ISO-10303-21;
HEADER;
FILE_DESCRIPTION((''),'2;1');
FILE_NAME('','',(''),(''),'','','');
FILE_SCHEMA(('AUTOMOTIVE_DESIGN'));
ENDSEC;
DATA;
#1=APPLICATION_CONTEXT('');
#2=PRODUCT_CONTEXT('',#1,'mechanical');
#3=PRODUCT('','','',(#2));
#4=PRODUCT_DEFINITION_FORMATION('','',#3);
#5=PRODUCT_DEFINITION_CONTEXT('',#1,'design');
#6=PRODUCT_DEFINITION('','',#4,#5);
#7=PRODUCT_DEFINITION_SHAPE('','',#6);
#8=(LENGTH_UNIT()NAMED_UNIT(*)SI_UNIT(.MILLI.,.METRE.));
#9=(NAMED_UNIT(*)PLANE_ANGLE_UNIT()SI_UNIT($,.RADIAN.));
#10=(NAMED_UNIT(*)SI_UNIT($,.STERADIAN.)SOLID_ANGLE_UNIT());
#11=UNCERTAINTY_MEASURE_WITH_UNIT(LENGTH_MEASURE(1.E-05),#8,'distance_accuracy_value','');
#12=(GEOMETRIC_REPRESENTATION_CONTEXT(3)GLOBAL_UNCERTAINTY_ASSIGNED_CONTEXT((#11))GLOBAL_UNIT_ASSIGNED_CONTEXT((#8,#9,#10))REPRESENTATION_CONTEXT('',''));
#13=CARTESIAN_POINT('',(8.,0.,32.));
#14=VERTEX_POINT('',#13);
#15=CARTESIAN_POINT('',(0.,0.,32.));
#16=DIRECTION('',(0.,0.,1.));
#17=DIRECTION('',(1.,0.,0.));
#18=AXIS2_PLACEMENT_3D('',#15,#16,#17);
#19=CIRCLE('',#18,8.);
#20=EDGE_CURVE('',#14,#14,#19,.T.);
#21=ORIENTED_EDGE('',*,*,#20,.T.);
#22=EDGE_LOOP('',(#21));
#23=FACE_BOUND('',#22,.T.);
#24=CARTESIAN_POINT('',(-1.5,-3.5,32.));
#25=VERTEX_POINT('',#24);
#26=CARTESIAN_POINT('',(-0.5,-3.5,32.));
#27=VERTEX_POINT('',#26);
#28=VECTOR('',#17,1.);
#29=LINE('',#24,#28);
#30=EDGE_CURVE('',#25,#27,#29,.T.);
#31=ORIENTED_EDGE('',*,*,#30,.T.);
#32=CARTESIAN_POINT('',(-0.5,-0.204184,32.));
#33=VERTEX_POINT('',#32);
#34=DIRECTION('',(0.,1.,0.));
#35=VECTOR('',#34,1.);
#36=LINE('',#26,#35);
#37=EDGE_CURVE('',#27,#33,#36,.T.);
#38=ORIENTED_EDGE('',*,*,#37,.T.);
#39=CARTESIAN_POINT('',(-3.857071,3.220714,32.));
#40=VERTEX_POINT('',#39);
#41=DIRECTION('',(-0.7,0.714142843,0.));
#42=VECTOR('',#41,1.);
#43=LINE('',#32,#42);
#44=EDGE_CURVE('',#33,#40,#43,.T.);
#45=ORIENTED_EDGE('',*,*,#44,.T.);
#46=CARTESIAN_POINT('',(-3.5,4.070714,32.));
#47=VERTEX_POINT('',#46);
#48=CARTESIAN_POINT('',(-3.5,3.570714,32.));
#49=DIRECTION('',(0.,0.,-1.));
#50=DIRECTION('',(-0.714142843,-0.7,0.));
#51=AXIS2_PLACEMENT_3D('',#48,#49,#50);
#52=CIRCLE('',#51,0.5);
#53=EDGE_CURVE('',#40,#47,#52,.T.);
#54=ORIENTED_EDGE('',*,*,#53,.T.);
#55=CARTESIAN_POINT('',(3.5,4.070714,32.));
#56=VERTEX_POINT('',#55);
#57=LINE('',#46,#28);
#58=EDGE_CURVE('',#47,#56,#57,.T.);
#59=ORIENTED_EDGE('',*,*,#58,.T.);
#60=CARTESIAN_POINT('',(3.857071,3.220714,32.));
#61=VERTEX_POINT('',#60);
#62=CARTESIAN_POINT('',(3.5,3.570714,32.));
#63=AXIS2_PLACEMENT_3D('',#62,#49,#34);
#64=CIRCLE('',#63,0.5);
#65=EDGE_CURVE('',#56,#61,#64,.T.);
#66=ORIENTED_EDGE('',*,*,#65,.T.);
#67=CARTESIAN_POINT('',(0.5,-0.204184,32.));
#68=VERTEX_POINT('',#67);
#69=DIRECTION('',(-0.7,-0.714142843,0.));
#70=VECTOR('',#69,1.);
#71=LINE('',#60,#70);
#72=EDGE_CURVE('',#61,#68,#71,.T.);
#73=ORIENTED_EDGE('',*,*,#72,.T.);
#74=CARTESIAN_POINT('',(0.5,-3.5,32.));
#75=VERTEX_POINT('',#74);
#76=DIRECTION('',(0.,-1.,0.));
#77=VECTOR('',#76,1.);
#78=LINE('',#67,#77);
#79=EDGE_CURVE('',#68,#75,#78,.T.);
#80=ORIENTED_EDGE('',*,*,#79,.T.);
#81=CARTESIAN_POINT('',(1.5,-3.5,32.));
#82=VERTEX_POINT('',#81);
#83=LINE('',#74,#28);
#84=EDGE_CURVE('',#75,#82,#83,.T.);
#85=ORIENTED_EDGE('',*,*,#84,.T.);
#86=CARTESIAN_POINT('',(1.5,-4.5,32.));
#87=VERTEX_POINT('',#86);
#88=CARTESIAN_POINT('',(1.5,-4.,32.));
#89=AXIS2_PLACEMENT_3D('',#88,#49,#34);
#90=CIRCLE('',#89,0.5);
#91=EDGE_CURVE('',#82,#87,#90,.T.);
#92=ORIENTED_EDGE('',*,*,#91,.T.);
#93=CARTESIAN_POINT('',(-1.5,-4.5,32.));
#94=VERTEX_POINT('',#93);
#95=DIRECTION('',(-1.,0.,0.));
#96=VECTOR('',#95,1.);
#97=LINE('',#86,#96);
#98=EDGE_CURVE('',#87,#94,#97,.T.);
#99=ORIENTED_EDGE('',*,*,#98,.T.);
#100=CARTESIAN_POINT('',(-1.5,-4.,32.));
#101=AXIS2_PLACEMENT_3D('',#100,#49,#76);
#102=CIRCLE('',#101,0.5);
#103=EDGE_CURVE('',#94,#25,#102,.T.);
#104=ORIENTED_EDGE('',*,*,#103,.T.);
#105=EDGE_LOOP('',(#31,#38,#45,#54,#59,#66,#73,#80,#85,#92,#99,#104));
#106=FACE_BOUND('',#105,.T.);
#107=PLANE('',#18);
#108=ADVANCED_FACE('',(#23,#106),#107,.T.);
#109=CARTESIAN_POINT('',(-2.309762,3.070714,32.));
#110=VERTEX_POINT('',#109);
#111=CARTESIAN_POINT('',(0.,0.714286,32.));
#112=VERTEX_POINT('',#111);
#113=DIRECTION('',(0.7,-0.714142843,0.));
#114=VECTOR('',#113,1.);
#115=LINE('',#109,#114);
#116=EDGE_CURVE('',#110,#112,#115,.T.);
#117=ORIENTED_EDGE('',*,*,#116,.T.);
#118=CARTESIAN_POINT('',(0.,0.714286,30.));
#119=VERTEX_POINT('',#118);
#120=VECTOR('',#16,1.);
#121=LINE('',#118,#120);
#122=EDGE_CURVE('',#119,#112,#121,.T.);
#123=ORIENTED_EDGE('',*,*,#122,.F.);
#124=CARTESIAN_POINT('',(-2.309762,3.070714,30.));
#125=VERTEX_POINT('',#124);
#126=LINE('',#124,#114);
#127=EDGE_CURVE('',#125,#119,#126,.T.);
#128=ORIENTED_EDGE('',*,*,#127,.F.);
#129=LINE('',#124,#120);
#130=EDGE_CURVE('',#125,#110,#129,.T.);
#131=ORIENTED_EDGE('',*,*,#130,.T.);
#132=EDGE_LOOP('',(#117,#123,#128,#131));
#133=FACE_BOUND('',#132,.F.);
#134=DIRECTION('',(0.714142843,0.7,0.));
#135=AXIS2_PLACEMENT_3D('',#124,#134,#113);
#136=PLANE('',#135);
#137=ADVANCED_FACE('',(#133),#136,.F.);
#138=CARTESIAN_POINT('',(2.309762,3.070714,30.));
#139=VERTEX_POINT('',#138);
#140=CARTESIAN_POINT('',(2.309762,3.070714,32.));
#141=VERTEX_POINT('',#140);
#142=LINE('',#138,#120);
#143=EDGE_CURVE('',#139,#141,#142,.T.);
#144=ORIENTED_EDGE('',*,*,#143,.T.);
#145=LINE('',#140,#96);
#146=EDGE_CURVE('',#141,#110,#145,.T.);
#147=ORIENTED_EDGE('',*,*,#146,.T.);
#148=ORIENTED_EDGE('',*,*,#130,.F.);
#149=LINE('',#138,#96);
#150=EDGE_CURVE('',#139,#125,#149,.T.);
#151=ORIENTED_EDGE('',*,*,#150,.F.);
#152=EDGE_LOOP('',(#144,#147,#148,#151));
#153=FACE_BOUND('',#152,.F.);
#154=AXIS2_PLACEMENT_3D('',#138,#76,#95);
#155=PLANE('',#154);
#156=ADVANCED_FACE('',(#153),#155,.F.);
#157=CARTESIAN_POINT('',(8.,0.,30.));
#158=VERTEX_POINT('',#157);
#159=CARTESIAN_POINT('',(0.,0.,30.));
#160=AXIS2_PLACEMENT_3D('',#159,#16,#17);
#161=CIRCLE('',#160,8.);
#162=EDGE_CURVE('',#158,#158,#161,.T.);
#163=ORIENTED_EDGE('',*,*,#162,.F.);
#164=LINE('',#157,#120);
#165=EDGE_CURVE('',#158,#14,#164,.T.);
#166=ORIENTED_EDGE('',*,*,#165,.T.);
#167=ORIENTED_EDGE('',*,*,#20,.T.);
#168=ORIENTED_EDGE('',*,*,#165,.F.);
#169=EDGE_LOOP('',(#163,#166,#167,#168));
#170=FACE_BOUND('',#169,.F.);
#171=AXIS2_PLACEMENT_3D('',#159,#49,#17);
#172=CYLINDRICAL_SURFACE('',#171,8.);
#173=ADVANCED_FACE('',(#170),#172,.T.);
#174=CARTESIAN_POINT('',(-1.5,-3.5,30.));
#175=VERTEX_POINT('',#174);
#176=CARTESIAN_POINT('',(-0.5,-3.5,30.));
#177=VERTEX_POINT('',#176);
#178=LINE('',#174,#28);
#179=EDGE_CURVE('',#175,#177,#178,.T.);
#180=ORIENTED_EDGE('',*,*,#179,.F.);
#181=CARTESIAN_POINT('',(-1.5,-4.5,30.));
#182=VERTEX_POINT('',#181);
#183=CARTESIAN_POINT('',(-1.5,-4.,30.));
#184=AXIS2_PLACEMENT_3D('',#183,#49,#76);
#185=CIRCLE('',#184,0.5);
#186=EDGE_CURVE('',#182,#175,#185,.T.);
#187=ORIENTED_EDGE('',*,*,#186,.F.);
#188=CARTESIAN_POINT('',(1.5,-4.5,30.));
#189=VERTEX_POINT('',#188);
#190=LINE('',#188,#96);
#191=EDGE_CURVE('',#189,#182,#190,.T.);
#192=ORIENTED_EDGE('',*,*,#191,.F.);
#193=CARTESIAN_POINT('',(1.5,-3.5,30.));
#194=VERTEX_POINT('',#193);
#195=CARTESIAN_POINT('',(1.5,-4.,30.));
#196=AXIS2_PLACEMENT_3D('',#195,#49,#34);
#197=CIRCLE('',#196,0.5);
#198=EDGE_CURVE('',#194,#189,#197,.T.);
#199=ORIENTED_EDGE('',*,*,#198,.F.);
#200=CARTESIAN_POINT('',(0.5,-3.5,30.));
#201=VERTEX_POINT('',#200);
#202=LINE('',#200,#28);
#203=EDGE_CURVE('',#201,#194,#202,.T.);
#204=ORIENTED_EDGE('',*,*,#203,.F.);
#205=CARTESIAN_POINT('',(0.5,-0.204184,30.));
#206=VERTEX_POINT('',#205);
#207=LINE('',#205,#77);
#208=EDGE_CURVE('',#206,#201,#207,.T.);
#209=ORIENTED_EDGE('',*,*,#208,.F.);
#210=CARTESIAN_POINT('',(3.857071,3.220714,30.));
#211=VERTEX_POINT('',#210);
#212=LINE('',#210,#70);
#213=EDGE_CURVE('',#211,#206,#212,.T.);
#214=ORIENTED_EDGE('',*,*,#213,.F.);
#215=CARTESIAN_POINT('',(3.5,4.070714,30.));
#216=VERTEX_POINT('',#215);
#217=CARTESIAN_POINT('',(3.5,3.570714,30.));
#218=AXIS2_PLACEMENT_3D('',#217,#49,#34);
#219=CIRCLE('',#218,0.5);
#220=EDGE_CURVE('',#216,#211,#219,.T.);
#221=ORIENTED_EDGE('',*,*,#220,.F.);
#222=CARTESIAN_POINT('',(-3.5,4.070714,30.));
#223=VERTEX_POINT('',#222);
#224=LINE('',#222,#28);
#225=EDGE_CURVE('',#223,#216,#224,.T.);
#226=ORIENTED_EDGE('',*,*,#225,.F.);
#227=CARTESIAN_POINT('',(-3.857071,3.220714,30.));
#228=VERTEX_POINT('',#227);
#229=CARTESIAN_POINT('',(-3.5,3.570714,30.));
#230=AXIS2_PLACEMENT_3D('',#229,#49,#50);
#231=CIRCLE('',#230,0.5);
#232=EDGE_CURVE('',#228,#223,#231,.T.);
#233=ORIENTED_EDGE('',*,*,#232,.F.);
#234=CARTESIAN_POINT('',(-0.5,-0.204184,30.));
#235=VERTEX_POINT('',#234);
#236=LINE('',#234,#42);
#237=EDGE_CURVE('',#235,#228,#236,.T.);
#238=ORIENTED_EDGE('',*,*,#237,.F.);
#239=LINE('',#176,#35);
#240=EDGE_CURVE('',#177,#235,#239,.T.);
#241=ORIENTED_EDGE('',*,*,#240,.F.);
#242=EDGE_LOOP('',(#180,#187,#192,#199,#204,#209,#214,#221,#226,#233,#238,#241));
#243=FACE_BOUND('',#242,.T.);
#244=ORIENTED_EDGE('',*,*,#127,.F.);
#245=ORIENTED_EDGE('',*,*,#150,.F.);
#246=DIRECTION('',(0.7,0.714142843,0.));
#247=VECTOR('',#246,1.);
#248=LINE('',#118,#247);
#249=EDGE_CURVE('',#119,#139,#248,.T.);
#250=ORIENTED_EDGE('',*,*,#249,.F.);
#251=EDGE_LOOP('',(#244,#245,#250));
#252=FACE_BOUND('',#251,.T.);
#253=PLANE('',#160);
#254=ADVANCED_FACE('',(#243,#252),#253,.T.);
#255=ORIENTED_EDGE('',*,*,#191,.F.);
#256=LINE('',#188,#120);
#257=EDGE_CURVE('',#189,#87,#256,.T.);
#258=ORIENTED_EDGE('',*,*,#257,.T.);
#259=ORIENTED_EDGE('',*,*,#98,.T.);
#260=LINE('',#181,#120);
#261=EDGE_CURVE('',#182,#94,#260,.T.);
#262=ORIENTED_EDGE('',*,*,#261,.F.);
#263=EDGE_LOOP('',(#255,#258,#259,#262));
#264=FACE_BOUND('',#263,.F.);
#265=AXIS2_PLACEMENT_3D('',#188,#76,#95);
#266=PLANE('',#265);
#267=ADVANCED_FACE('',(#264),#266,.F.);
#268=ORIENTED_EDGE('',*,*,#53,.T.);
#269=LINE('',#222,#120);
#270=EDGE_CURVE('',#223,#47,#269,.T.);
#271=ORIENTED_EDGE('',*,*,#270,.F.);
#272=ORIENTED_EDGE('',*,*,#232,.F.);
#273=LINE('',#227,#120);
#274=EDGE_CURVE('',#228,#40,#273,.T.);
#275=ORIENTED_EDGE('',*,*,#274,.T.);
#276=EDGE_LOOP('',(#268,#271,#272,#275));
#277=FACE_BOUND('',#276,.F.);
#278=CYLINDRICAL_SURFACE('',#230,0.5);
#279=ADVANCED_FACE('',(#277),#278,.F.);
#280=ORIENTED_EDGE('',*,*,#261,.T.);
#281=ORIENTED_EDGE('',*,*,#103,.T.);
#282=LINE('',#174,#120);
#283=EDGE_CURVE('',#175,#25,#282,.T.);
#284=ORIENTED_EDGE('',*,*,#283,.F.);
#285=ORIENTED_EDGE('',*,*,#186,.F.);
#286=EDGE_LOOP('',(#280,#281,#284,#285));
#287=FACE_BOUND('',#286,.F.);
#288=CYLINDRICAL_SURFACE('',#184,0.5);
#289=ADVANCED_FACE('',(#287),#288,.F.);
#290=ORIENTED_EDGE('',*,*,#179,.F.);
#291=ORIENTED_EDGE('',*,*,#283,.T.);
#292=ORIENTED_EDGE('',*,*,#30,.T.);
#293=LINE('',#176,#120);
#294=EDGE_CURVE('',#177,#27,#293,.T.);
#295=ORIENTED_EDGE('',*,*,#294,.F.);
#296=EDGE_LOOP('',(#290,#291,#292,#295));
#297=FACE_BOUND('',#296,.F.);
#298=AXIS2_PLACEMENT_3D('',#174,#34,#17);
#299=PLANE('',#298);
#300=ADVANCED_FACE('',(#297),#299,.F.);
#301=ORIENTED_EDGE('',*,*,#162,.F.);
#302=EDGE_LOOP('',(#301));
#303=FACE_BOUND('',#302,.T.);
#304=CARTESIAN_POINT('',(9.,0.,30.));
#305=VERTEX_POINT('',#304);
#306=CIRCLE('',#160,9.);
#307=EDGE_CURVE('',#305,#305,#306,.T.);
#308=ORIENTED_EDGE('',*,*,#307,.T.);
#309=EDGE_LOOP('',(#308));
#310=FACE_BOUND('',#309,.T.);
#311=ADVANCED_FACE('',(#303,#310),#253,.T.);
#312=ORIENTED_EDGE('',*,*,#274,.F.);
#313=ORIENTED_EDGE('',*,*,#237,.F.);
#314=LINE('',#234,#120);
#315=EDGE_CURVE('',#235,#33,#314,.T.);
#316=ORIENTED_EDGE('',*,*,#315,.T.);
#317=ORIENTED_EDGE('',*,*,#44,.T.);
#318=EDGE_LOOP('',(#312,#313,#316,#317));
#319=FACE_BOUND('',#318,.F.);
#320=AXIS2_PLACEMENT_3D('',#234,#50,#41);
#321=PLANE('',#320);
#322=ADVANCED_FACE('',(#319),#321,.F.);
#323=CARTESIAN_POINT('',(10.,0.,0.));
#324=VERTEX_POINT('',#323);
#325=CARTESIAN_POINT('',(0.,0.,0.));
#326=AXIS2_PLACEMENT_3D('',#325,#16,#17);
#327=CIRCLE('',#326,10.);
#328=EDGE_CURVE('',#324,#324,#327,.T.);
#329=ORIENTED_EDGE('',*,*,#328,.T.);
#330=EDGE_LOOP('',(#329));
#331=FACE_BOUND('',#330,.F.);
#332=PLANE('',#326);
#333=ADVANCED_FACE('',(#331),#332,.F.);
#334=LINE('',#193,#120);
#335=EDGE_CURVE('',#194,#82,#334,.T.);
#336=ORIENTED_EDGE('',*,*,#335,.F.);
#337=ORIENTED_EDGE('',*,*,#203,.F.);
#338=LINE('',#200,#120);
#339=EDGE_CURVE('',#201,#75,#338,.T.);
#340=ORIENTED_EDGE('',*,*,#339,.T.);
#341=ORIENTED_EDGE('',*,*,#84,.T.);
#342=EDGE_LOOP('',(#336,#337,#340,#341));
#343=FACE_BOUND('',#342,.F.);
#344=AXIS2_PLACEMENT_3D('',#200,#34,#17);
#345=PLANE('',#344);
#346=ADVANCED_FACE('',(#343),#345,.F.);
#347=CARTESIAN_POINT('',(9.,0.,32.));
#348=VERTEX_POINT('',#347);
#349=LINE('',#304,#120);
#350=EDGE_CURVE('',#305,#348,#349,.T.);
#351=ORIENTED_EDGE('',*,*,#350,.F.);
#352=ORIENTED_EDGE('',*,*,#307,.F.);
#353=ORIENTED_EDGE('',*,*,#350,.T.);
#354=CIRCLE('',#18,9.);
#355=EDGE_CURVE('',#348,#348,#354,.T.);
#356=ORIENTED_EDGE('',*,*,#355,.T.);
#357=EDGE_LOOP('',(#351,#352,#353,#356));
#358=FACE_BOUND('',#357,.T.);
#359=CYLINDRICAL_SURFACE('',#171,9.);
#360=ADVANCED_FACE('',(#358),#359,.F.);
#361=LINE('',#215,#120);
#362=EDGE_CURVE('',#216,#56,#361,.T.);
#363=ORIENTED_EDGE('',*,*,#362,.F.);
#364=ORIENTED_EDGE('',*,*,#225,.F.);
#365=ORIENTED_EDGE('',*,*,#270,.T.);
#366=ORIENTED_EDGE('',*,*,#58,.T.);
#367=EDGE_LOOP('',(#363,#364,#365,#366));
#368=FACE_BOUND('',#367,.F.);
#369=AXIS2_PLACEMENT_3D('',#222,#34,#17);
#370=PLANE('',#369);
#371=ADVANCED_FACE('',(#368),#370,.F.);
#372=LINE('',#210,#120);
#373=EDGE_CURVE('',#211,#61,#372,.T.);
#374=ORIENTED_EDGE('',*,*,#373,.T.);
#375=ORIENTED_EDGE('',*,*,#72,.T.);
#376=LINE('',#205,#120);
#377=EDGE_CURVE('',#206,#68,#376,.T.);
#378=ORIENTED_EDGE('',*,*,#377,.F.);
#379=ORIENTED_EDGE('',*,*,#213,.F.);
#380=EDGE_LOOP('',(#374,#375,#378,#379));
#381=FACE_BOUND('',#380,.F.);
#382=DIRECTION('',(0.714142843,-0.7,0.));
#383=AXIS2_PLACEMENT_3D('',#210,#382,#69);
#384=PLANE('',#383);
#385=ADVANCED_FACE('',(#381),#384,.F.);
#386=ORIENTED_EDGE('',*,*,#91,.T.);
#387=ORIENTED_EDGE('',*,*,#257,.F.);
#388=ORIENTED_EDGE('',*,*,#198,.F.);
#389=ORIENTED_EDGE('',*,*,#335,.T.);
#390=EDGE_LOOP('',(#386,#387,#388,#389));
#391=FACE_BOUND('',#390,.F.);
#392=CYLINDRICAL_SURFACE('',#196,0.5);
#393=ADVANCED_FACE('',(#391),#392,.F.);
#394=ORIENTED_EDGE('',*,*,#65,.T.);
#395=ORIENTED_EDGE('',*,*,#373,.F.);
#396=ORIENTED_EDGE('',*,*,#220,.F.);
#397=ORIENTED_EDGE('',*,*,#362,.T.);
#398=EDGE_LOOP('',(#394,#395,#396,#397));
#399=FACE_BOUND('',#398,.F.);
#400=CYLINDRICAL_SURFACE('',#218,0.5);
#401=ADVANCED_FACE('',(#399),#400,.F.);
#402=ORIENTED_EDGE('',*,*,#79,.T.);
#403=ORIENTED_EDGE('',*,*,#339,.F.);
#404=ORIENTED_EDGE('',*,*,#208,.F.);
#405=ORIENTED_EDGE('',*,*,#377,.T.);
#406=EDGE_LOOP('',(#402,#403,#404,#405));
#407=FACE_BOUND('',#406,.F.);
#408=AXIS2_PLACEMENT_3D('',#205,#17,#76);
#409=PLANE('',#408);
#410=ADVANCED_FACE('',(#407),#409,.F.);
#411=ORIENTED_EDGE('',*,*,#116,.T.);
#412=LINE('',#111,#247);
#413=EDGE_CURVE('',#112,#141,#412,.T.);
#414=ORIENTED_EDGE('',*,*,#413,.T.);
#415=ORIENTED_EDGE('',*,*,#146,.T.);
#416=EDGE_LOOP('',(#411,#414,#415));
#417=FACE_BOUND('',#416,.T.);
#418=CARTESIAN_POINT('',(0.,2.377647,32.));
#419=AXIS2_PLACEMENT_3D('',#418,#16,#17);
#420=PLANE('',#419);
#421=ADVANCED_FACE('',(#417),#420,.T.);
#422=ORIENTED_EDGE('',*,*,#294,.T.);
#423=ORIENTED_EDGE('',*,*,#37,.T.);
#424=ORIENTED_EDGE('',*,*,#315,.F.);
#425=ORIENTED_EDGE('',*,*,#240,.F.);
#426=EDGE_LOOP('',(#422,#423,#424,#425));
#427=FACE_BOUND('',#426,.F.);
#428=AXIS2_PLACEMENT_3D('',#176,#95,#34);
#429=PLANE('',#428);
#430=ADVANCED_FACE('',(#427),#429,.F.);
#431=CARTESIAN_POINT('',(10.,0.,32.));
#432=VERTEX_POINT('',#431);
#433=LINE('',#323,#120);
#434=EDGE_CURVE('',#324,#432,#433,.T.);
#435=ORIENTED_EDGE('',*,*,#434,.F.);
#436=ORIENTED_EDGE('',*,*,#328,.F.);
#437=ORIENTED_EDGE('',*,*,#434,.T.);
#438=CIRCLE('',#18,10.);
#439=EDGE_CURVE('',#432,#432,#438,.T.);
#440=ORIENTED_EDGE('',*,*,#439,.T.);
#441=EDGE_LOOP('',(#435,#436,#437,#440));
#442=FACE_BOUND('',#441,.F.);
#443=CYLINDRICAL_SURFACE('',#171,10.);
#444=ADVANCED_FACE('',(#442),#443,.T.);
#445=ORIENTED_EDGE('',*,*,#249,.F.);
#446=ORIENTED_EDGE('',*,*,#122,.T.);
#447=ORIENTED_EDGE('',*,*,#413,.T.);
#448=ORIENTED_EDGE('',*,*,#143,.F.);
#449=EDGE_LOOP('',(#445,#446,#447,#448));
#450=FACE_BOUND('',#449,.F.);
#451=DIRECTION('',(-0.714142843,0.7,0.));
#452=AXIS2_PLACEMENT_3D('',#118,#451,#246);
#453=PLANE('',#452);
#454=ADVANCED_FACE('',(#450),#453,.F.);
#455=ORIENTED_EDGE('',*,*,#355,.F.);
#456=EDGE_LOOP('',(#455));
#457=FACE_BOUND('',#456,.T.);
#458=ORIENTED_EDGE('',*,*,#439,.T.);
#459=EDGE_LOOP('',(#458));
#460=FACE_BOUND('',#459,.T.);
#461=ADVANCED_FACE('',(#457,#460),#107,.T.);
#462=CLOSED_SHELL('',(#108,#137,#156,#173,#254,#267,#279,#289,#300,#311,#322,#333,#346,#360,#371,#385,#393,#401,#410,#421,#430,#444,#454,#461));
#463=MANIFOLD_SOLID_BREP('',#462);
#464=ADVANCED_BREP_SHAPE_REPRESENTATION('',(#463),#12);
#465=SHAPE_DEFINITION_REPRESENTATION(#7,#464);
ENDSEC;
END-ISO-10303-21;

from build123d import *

# Parameters (mm, degrees)
F0_R     = 10
F1_DEPTH = 30
F2_R     = 10
F2_R_2   = 9
F2_R_3   = 8
F3_DEPTH = 2


with BuildPart() as f1:
    # F0 (on Top) → F1 (new body)
    with BuildSketch(Plane.XY):
        Circle(F0_R)
    extrude(amount=F1_DEPTH)

    # F2 (on face) → F3 (join)
    with BuildSketch(Plane.XY.offset(30)):
        Circle(F2_R)
        Circle(F2_R_2, mode=Mode.SUBTRACT)
        Circle(F2_R_3)
        with BuildLine():
            Line((-3.5, 4.0707142143), (3.5, 4.0707142143))
            ThreePointArc((3.5, 4.0707142143), (3.9609772229, 3.7643633816), (3.8570714214, 3.2207142143))
            Line((3.8570714214, 3.2207142143), (0.5, -0.2041836837))
            Line((0.5, -0.2041836837), (0.5, -3.5))
            Line((0.5, -3.5), (1.5, -3.5))
            ThreePointArc((1.5, -3.5), (2, -4), (1.5, -4.5))
            Line((1.5, -4.5), (0, -4.5))
            Line((0, -4.5), (-1.5, -4.5))
            ThreePointArc((-1.5, -4.5), (-2, -4), (-1.5, -3.5))
            Line((-1.5, -3.5), (-0.5, -3.5))
            Line((-0.5, -3.5), (-0.5, -0.2041836837))
            Line((-0.5, -0.2041836837), (-3.8570714214, 3.2207142143))
            ThreePointArc((-3.8570714214, 3.2207142143), (-3.9609772229, 3.7643633816), (-3.5, 4.0707142143))
        make_face(mode=Mode.SUBTRACT)
        Polygon((0, 0.7142857143), (2.3097619286, 3.0707142143), (-2.3097619286, 3.0707142143), align=None)
    extrude(amount=F3_DEPTH)


solid = f1.part
